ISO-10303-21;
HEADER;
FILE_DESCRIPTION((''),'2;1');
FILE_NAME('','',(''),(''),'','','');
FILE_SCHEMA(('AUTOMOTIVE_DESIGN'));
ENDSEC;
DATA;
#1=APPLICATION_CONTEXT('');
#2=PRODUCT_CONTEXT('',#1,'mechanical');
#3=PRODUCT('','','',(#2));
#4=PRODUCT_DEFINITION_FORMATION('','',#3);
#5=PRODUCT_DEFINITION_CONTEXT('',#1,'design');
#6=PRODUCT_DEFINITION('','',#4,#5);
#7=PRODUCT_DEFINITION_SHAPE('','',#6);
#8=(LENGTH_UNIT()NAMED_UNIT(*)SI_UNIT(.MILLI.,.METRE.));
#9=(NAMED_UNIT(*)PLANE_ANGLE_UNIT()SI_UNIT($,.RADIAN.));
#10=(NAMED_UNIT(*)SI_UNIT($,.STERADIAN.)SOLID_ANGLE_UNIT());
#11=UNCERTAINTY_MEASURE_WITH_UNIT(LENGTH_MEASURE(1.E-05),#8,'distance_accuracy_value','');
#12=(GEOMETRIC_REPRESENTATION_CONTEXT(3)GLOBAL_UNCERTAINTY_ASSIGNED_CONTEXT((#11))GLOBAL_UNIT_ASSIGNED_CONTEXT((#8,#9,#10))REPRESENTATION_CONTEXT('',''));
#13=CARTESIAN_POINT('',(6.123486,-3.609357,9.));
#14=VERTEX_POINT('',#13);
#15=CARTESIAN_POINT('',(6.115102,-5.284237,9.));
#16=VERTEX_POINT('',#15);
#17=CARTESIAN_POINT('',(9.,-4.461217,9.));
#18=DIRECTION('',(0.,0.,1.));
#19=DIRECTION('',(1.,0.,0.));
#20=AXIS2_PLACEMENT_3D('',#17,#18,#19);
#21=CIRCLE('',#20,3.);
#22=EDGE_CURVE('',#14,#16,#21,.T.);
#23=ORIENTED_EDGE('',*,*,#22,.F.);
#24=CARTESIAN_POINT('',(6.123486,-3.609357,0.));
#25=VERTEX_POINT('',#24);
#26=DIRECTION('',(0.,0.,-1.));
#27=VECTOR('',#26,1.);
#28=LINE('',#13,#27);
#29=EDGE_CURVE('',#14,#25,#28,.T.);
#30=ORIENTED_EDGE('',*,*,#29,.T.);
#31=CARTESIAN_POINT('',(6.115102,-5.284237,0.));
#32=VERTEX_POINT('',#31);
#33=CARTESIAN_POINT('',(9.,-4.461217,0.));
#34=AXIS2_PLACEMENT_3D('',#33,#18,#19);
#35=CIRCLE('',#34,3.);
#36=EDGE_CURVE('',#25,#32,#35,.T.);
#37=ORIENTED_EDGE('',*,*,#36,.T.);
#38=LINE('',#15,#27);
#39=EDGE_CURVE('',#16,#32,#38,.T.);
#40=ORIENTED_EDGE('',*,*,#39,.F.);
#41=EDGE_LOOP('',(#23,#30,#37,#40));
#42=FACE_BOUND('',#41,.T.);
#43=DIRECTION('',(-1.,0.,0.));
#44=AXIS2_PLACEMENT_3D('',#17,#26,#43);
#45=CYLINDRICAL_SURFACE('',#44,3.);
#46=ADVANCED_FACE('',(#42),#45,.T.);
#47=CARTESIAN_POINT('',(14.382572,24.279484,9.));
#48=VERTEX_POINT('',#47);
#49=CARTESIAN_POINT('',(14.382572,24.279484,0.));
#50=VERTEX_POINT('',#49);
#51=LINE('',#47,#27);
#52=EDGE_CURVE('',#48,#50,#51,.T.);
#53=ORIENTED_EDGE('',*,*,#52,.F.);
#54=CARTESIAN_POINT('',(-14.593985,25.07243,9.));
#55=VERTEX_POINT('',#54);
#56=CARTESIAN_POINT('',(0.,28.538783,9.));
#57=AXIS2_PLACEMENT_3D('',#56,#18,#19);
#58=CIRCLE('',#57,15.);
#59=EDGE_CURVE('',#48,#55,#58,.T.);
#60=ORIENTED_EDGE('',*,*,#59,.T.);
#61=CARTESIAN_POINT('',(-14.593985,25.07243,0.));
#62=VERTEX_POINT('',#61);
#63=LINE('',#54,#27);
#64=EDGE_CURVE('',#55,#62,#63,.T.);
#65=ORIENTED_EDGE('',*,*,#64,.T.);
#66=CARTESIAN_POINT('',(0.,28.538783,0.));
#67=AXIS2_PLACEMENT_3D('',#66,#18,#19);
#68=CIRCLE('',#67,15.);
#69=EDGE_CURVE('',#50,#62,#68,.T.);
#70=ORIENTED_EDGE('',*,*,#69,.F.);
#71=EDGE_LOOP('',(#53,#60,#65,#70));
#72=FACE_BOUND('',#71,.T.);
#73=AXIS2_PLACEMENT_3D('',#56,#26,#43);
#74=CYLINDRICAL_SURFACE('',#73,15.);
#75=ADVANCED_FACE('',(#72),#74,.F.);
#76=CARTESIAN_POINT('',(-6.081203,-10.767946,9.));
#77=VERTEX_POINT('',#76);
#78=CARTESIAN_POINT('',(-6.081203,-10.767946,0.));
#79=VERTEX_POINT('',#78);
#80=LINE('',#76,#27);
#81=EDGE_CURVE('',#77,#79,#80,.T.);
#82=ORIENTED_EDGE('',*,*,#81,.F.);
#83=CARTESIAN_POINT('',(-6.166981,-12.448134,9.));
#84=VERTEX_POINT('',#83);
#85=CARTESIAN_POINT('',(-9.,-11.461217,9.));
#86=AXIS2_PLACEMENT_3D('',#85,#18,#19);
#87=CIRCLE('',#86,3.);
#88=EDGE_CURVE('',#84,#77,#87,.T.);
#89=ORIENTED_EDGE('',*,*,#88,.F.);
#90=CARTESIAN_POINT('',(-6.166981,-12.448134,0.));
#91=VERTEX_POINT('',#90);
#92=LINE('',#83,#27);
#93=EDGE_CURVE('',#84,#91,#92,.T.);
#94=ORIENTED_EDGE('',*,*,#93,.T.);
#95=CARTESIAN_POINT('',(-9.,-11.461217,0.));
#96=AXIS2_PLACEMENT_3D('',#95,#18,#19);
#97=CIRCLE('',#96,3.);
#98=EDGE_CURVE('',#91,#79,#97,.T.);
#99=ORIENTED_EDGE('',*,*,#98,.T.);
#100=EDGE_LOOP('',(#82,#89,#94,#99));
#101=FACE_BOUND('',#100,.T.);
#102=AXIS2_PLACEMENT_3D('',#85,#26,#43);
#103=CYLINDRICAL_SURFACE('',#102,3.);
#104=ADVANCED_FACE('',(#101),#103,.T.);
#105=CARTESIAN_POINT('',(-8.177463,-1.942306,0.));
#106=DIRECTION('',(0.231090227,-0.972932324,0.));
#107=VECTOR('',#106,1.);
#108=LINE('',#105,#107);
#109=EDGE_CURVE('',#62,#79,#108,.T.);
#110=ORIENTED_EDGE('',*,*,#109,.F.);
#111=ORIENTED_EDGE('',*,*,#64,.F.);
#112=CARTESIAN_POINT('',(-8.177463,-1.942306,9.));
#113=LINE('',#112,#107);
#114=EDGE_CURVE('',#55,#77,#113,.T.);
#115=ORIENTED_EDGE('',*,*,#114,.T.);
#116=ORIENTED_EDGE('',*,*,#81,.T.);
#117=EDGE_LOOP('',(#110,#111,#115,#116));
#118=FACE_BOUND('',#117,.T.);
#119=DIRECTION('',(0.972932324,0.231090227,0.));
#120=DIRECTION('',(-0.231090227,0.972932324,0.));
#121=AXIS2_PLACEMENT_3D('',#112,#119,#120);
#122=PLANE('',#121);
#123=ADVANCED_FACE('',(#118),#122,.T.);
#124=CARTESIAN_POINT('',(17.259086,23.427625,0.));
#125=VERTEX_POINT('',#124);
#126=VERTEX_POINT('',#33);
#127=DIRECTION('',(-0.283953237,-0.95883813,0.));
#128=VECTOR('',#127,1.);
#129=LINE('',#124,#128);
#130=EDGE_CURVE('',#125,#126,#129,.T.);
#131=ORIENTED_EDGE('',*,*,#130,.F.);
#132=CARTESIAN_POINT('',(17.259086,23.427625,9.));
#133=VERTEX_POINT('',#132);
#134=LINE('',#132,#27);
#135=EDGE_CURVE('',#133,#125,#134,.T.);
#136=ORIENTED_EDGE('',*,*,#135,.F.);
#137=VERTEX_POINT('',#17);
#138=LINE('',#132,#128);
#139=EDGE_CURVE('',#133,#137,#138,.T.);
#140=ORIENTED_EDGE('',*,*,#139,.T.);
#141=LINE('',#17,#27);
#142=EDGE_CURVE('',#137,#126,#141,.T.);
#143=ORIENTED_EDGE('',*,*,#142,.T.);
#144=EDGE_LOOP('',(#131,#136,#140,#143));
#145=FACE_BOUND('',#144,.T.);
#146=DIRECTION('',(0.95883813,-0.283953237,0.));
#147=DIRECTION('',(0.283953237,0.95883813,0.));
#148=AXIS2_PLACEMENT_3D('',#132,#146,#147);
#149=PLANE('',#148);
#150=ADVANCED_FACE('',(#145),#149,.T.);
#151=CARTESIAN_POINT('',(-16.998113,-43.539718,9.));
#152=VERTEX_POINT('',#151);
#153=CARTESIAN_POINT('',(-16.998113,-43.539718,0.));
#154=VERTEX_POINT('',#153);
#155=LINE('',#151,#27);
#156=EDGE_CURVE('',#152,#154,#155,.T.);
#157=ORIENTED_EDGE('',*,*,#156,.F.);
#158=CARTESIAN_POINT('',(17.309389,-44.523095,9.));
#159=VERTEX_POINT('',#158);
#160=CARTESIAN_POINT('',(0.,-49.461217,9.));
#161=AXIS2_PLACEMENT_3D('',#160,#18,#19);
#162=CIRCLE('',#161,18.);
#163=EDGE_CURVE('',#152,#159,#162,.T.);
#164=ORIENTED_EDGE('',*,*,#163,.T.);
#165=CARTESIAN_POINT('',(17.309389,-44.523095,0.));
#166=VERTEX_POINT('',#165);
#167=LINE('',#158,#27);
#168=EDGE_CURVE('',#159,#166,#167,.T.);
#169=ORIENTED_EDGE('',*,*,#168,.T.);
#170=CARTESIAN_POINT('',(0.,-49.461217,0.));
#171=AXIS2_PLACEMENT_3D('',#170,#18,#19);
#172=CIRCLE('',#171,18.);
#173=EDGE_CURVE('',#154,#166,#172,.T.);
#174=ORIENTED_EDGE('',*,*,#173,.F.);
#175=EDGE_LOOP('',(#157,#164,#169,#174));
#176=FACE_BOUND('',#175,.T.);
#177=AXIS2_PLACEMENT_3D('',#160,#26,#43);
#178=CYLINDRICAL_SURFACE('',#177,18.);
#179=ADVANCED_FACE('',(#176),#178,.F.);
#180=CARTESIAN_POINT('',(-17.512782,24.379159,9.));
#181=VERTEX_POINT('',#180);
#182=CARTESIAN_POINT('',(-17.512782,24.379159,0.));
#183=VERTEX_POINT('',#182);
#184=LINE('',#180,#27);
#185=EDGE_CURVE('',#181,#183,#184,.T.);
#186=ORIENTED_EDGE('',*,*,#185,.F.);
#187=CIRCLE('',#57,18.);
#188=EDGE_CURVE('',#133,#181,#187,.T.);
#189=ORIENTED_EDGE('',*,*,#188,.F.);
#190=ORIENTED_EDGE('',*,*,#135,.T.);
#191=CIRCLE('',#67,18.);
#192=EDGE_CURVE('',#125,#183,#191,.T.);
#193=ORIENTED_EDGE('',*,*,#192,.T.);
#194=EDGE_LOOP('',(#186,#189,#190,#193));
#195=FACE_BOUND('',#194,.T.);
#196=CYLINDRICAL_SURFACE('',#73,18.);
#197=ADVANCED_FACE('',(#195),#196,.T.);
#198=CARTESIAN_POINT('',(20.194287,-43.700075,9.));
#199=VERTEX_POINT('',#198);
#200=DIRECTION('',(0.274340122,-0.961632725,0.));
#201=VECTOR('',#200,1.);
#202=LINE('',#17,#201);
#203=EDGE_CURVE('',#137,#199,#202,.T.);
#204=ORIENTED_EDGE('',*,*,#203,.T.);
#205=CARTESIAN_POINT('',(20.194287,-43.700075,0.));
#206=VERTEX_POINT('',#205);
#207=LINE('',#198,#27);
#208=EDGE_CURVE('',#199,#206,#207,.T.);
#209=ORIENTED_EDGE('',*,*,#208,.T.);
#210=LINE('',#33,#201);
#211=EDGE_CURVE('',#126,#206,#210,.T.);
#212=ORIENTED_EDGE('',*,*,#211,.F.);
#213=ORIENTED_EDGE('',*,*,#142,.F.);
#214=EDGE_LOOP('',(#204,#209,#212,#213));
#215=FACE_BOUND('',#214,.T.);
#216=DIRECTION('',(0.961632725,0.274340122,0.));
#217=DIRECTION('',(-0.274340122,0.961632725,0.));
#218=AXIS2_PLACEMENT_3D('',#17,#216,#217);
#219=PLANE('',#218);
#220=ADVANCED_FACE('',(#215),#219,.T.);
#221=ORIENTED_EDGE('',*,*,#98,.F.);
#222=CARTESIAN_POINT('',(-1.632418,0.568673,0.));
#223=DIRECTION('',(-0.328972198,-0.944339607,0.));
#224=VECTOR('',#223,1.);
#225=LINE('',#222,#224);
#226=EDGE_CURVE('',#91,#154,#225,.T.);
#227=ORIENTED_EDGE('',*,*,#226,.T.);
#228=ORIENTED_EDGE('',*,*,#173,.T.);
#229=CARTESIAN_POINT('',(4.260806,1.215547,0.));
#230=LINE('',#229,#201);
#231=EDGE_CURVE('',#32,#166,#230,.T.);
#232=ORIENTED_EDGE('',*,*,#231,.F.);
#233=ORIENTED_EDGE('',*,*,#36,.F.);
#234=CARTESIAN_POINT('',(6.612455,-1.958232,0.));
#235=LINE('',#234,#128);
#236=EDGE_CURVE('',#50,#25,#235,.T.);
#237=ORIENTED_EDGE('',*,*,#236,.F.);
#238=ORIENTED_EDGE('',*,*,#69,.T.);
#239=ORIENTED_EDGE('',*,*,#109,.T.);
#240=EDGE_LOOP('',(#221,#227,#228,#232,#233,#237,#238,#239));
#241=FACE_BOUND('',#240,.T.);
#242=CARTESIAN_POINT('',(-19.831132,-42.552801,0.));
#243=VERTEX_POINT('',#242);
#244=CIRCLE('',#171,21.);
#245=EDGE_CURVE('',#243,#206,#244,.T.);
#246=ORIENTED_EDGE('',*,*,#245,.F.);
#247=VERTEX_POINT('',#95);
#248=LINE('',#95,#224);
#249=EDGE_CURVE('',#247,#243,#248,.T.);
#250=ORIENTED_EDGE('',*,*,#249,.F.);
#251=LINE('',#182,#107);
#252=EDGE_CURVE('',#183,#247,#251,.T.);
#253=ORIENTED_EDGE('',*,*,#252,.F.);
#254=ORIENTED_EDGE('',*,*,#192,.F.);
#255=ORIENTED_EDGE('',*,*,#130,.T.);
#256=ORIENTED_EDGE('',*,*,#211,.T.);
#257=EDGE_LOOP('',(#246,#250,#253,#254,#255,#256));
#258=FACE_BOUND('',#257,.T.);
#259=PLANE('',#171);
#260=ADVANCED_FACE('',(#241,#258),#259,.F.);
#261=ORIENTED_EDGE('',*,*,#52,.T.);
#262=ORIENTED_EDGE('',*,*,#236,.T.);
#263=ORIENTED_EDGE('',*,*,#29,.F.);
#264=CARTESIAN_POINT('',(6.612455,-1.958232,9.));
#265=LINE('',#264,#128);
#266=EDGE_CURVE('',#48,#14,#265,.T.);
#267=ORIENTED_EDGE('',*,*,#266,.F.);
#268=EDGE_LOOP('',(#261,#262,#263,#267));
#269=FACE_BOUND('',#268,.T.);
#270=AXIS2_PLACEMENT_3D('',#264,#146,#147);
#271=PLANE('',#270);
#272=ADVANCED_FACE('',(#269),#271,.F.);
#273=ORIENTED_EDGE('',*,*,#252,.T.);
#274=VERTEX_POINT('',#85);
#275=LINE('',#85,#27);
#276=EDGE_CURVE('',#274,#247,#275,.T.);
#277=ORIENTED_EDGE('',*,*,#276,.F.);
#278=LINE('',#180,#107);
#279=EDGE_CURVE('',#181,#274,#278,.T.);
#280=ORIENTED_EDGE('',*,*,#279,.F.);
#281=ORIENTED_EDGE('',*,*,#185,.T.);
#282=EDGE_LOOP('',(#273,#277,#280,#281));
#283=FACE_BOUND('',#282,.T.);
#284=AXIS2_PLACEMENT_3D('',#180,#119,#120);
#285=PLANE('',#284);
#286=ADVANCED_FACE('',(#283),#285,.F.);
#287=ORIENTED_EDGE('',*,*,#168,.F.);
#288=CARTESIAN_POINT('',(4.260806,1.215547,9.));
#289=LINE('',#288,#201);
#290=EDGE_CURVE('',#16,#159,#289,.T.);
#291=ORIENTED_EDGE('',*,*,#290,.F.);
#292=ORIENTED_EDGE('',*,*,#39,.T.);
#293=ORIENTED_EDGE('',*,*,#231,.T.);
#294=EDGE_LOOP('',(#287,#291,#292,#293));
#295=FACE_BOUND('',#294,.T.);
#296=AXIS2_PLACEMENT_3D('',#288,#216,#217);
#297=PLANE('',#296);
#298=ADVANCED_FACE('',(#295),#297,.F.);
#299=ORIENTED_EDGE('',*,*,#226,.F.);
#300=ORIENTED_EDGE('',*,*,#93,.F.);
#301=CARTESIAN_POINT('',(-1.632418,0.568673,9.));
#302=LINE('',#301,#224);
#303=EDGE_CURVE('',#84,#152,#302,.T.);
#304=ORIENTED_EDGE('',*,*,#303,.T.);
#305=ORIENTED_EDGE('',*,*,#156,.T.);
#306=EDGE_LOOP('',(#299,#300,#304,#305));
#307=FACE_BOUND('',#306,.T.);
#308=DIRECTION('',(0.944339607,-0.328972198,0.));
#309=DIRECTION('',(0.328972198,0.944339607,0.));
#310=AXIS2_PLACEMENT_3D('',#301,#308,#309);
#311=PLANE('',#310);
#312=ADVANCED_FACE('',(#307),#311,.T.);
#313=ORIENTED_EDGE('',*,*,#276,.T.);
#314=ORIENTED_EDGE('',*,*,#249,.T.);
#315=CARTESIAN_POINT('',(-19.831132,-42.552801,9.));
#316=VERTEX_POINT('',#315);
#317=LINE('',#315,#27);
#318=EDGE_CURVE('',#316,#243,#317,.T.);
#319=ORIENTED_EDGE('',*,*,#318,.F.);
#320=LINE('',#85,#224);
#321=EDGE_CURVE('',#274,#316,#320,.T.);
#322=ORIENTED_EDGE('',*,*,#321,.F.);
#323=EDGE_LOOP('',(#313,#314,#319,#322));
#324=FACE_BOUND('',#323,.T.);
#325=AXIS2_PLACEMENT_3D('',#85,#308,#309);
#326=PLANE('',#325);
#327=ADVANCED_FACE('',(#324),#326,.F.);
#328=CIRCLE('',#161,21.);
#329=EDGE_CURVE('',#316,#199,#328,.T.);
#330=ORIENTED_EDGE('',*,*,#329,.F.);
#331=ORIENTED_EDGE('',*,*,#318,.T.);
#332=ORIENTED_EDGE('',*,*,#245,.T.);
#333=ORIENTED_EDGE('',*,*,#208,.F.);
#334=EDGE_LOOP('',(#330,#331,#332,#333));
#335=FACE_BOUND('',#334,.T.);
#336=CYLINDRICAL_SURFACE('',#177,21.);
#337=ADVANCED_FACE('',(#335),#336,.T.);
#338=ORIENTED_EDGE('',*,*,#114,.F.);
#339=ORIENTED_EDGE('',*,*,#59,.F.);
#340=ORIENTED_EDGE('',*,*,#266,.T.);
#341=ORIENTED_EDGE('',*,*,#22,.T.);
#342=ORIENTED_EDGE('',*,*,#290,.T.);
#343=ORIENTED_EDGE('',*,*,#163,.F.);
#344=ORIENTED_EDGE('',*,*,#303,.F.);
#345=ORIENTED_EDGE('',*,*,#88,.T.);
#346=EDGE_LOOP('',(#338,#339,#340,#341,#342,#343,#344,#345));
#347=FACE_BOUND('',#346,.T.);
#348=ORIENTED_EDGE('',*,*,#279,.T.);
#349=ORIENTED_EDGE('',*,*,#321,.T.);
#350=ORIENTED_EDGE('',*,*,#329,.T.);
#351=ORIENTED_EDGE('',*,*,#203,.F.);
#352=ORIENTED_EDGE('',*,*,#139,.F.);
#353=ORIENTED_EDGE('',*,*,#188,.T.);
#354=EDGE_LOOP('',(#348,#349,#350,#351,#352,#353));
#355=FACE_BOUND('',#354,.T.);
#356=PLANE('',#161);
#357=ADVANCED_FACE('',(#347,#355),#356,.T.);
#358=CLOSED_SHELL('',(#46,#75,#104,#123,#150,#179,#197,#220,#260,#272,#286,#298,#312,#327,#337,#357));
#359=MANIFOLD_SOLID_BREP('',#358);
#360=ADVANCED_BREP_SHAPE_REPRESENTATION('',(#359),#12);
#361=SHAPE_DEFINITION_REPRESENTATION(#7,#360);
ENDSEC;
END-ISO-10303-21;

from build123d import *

# Parameters (mm, degrees)
EXTRUDE_1_DEPTH = 9


with BuildPart() as part:
    # 草图1 → 凸台-拉伸1 (new body)
    with BuildSketch(Plane.XY):
        with BuildLine():
            Line((9, -4.461217091), (20.194287223, -43.700074535))
            ThreePointArc((20.194287223, -43.700074535), (-0.601689007, -70.452595567), (-19.831131739, -42.552800924))
            Line((-19.831131739, -42.552800924), (-9, -11.461217091))
            Line((-9, -11.461217091), (-17.512781831, 24.379158821))
            ThreePointArc((-17.512781831, 24.379158821), (0.492386715, 46.532047075), (17.259086335, 23.427624637))
            Line((17.259086335, 23.427624637), (9, -4.461217091))
        make_face()
        with BuildLine():
            Line((-14.593984859, 25.072429503), (-6.081203028, -10.767946409))
            ThreePointArc((-6.081203028, -10.767946409), (-6.003901946, -11.614176084), (-6.16698118, -12.448133686))
            Line((-6.16698118, -12.448133686), (-16.998112919, -43.539717519))
            ThreePointArc((-16.998112919, -43.539717519), (-0.515733435, -67.453827213), (17.309389049, -44.5230949))
            Line((17.309389049, -44.5230949), (6.115101825, -5.284237456))
            ThreePointArc((6.115101825, -5.284237456), (6.000037583, -4.446200468), (6.123485611, -3.609357379))
            Line((6.123485611, -3.609357379), (14.382571946, 24.279484349))
            ThreePointArc((14.382571946, 24.279484349), (0.410322262, 43.533169714), (-14.593984859, 25.072429503))
        make_face(mode=Mode.SUBTRACT)
    extrude(amount=EXTRUDE_1_DEPTH)


solid = part.part
